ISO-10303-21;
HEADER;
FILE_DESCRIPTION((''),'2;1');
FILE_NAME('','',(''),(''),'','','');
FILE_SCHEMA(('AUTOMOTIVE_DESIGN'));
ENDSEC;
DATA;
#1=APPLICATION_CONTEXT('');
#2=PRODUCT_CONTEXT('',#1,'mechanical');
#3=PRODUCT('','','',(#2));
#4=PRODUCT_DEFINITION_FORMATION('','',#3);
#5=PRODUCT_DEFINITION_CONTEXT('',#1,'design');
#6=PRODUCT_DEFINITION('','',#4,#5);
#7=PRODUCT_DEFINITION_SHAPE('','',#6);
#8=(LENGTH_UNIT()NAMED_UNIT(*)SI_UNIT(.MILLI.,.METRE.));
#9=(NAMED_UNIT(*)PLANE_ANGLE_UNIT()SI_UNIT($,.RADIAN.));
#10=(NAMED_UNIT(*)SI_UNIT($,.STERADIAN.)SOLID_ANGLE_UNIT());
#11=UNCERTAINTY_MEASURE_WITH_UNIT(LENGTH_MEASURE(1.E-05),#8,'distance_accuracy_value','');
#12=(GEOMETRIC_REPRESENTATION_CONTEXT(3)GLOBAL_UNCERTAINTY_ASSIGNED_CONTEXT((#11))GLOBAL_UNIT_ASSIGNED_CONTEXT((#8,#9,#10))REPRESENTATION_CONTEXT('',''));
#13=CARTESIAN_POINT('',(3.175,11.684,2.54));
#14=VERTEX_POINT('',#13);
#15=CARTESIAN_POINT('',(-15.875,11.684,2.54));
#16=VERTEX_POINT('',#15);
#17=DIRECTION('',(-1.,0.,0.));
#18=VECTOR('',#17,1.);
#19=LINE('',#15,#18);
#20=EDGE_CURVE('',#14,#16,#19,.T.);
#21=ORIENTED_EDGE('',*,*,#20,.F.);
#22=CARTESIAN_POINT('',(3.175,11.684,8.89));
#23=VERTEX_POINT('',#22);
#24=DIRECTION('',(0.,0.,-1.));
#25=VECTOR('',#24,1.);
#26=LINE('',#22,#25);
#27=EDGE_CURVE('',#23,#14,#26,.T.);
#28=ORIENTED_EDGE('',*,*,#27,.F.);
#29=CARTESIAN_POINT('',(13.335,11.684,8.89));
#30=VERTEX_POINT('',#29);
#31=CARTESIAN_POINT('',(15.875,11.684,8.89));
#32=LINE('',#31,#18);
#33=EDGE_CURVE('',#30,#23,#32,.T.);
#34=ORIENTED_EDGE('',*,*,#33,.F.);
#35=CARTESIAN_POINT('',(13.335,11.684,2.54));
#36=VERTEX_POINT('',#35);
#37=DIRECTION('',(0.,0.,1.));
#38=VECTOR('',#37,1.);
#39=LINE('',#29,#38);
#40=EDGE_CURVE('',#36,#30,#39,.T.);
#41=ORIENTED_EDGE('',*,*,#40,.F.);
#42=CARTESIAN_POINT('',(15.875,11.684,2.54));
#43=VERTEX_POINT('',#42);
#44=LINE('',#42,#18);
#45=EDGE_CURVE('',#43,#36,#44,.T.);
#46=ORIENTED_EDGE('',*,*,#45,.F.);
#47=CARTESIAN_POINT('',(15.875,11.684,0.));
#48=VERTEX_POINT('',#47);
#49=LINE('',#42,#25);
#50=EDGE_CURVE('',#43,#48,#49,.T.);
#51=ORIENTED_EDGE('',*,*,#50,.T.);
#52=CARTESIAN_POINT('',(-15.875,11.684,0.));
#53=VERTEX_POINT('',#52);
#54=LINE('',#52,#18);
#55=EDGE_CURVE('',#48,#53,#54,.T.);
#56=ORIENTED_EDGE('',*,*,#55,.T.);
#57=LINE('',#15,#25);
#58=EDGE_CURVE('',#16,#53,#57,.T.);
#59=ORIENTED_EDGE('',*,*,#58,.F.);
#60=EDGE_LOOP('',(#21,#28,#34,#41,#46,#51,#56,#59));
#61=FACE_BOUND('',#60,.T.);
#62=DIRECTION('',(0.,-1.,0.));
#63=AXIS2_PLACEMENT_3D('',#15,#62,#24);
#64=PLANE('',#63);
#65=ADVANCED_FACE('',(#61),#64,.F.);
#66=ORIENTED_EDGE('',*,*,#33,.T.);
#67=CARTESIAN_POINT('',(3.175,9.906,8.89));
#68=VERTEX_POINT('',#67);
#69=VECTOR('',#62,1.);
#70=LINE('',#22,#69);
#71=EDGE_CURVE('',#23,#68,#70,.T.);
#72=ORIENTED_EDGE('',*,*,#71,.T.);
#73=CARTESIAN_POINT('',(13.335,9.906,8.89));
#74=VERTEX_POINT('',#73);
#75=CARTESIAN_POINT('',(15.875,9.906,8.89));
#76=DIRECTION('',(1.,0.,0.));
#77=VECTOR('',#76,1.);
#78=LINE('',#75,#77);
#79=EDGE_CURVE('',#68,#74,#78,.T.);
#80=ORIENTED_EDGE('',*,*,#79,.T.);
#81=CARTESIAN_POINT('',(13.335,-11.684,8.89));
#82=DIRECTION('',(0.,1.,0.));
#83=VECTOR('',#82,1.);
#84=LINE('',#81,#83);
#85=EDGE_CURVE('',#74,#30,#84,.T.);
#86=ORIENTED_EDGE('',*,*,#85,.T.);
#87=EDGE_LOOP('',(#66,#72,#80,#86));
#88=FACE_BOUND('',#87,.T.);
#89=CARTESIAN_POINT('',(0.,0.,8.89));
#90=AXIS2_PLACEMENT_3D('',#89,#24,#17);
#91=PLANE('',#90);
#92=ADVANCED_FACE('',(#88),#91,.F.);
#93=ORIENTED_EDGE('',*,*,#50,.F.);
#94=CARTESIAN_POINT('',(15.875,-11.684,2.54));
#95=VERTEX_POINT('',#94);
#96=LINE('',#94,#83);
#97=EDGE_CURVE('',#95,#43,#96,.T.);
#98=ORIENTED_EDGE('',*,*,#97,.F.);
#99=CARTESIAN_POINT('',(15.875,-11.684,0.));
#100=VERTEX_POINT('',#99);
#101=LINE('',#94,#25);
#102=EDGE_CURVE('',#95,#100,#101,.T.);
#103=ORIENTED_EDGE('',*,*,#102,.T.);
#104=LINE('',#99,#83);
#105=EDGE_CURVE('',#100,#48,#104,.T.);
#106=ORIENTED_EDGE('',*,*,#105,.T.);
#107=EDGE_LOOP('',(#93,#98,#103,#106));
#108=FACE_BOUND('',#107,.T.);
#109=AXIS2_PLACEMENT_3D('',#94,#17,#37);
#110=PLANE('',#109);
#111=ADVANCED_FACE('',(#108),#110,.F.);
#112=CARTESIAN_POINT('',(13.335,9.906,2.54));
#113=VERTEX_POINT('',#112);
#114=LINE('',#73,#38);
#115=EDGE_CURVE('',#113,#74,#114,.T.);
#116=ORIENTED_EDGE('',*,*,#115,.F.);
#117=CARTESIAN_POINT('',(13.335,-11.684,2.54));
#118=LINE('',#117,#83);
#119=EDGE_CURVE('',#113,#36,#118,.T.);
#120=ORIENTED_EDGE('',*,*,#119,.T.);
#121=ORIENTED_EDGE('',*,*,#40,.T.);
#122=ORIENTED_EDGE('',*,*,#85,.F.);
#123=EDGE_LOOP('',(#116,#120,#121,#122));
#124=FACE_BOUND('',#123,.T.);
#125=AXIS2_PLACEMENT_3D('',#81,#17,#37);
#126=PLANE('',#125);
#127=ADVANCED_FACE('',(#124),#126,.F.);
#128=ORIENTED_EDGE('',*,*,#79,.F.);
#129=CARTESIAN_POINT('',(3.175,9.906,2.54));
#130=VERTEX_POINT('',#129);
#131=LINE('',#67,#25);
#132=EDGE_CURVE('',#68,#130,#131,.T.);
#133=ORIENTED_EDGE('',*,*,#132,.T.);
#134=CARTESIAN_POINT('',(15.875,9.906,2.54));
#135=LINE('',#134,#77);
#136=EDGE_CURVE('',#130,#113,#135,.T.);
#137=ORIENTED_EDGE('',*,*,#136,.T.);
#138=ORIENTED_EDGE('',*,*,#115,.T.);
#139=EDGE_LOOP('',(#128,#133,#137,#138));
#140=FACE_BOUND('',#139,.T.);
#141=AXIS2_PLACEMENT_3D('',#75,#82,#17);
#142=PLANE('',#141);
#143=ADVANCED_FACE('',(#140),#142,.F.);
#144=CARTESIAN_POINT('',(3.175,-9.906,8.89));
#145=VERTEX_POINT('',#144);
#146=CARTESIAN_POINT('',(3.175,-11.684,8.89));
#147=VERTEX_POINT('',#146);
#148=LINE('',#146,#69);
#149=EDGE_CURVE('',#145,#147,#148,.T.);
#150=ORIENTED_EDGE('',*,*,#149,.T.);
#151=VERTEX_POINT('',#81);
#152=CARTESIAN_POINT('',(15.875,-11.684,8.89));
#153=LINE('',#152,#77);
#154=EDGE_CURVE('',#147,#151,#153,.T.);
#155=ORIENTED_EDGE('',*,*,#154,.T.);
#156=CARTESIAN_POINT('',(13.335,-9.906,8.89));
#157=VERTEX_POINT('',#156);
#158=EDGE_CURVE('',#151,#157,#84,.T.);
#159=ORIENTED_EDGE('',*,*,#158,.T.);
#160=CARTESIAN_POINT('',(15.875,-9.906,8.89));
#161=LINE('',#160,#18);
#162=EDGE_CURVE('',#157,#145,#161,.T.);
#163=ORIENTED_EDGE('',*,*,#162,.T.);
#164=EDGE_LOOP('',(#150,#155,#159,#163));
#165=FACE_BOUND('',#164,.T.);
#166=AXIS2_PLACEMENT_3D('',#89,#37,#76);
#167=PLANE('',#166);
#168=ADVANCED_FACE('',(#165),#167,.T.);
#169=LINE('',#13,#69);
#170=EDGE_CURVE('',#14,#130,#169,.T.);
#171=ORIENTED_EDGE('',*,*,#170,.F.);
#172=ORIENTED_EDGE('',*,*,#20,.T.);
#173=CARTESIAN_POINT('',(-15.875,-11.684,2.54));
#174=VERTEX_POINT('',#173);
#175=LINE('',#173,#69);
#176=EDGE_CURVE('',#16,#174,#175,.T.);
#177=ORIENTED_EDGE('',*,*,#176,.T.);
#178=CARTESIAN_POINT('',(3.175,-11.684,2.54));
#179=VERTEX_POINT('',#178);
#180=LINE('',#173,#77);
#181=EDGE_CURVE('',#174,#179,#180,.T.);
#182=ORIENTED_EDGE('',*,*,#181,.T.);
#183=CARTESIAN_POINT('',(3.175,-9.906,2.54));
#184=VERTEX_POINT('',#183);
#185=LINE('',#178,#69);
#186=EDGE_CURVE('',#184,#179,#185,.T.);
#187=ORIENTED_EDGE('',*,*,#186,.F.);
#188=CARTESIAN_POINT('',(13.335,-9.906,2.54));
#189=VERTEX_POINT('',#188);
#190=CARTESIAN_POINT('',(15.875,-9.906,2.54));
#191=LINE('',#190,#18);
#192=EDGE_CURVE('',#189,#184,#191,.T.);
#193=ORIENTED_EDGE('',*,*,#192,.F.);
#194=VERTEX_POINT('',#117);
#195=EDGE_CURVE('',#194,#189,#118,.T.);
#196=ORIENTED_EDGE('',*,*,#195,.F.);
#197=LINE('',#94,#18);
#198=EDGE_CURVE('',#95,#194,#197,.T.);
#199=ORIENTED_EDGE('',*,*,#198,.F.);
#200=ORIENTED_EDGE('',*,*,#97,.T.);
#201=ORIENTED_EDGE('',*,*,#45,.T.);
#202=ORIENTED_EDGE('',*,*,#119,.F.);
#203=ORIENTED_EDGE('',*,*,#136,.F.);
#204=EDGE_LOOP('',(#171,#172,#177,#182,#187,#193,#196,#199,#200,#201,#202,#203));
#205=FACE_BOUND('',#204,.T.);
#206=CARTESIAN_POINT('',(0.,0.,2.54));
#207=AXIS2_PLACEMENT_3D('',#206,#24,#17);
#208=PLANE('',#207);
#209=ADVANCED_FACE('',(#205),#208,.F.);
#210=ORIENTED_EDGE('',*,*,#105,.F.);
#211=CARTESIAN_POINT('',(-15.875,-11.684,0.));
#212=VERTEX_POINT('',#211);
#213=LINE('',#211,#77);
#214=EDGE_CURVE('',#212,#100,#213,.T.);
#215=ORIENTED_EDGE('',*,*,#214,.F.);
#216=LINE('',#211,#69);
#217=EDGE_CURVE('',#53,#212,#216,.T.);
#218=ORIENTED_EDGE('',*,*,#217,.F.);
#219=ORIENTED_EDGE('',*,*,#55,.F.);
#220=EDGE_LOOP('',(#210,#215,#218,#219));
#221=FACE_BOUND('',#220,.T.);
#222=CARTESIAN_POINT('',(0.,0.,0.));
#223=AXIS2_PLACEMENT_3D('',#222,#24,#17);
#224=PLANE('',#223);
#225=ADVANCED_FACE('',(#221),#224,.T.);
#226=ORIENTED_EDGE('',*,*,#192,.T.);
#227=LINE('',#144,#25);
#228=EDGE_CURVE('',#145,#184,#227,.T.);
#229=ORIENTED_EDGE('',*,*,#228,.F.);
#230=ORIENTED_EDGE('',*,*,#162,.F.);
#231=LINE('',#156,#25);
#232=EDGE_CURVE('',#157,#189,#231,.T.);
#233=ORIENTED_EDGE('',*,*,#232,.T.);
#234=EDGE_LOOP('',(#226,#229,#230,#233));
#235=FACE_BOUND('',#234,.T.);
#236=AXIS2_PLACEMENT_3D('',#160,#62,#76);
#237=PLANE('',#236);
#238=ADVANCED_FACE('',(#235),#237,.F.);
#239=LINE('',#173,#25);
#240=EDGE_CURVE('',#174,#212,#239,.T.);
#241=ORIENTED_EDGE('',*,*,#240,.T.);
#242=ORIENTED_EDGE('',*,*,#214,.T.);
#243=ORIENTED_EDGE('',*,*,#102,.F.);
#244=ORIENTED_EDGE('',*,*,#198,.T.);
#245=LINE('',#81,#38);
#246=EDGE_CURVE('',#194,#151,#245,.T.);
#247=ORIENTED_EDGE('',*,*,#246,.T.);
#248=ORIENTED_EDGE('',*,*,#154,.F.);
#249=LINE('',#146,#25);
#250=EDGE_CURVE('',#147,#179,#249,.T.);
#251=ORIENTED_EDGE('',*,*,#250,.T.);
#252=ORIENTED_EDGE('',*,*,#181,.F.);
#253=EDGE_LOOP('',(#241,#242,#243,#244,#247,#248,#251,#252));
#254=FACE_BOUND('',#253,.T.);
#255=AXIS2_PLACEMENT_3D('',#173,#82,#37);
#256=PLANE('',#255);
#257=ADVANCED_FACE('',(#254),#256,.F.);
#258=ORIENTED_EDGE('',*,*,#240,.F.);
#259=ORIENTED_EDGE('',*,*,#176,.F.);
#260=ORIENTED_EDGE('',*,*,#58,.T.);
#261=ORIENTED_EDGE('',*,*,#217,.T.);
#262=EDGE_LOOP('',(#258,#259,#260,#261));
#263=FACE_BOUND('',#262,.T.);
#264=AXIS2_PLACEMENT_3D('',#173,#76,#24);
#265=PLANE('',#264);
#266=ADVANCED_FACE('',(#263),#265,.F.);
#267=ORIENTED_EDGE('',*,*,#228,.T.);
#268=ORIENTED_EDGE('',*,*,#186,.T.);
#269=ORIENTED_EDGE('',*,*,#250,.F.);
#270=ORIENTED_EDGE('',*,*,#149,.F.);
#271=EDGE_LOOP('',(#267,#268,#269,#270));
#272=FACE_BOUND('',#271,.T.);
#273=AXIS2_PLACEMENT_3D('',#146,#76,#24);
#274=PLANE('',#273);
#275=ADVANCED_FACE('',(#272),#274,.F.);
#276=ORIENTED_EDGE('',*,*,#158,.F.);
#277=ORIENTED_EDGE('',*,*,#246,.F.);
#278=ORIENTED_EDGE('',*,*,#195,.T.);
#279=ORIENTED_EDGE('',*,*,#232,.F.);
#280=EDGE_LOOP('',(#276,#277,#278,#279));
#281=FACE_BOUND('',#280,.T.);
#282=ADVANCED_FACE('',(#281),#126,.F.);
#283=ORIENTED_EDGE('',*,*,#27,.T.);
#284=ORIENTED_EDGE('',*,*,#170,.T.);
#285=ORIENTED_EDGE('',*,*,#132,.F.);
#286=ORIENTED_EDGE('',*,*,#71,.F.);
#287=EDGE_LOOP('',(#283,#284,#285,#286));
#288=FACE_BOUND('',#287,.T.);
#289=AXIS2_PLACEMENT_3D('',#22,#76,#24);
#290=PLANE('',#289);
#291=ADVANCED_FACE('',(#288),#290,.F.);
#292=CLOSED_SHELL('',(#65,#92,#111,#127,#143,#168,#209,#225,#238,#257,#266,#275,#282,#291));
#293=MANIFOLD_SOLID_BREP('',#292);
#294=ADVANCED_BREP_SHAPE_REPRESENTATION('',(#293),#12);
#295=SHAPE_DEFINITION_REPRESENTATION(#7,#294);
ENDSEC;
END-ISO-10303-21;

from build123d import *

# Parameters (mm, degrees)
SKETCH2_W           = 31.75
SKETCH2_H           = 23.368
BOSS_EXTRUDE1_DEPTH = 2.54
SKETCH3_W           = 12.7
SKETCH3_H           = 1.778
BOSS_EXTRUDE2_DEPTH = 6.35
SKETCH4_W           = 2.54
SKETCH4_H           = 6.35
CUT_EXTRUDE1_DEPTH  = 24.368


with BuildPart() as part:
    # Sketch2 → Boss-Extrude1 (new body)
    with BuildSketch(Plane.XY):
        Rectangle(SKETCH2_W, SKETCH2_H)
    extrude(amount=BOSS_EXTRUDE1_DEPTH)

    # Sketch3 → Boss-Extrude2 (add)
    with BuildSketch(Plane.XY.offset(2.54)):
        with Locations((9.525, 10.795)):
            Rectangle(SKETCH3_W, SKETCH3_H)
        with Locations((9.525, -10.795)):
            Rectangle(SKETCH3_W, SKETCH3_H)
    extrude(amount=BOSS_EXTRUDE2_DEPTH)

    # Sketch4 → Cut-Extrude1 (cut, through all)
    with BuildSketch(Plane(origin=(0, 11.684, 0), x_dir=(1, 0, 0), z_dir=(0, 1, 0))):
        with Locations((14.605, -5.715)):
            Rectangle(SKETCH4_W, SKETCH4_H)
    extrude(amount=-CUT_EXTRUDE1_DEPTH, mode=Mode.SUBTRACT)


solid = part.part
